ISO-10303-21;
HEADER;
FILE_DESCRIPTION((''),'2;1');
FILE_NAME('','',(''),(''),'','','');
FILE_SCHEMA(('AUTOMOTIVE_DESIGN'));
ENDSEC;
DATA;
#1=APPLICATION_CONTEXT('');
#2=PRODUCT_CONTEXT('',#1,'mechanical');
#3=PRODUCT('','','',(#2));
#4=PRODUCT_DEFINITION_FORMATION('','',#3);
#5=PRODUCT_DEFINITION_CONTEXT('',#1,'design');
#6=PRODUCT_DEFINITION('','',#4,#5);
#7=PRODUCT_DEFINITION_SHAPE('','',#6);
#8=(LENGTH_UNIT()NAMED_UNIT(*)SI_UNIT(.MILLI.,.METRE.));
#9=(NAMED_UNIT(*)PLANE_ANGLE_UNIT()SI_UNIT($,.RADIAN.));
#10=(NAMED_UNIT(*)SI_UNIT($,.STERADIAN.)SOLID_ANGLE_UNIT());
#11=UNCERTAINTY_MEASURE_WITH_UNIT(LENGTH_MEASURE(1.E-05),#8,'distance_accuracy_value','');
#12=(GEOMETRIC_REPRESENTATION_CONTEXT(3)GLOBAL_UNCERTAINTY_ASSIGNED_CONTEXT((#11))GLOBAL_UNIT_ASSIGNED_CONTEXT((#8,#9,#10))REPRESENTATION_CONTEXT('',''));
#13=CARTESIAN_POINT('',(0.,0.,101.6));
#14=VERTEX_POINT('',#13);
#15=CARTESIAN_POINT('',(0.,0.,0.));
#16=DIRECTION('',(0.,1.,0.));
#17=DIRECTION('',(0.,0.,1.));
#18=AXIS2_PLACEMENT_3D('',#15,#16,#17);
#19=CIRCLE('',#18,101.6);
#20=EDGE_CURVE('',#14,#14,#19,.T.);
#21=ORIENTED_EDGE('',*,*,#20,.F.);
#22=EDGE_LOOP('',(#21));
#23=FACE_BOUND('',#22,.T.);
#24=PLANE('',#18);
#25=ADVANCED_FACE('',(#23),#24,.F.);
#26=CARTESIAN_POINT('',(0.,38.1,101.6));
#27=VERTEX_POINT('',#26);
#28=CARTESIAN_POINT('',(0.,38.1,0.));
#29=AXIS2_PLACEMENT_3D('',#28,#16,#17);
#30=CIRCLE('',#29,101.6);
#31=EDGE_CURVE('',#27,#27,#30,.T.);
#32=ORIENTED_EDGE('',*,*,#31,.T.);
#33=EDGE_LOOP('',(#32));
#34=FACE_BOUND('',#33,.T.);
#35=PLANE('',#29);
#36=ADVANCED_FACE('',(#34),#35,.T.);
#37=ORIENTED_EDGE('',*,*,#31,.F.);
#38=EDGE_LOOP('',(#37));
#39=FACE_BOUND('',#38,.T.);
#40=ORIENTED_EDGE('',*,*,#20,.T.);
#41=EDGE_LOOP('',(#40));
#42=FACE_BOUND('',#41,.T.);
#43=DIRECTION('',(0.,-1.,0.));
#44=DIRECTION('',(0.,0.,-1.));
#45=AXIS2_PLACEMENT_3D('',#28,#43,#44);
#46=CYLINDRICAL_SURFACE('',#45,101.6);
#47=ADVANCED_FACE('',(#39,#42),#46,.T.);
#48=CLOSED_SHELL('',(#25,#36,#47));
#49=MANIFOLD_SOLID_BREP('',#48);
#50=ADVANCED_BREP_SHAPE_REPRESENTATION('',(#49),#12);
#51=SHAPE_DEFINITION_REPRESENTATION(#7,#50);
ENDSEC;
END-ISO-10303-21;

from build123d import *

# Parameters (mm, degrees)
SKETCH_1_R      = 101.6
EXTRUDE_1_DEPTH = 38.1


with BuildPart() as part:
    # 草图1 → 凸台-拉伸1 (new body)
    with BuildSketch(Plane(origin=(0, 0, 0), x_dir=(1, 0, 0), z_dir=(0, 1, 0))):
        with Locations(Location((0, 0, 0), (0, 0, 270))):  # turned: the seam where the file's is
            Circle(SKETCH_1_R)
    extrude(amount=EXTRUDE_1_DEPTH)


solid = part.part
